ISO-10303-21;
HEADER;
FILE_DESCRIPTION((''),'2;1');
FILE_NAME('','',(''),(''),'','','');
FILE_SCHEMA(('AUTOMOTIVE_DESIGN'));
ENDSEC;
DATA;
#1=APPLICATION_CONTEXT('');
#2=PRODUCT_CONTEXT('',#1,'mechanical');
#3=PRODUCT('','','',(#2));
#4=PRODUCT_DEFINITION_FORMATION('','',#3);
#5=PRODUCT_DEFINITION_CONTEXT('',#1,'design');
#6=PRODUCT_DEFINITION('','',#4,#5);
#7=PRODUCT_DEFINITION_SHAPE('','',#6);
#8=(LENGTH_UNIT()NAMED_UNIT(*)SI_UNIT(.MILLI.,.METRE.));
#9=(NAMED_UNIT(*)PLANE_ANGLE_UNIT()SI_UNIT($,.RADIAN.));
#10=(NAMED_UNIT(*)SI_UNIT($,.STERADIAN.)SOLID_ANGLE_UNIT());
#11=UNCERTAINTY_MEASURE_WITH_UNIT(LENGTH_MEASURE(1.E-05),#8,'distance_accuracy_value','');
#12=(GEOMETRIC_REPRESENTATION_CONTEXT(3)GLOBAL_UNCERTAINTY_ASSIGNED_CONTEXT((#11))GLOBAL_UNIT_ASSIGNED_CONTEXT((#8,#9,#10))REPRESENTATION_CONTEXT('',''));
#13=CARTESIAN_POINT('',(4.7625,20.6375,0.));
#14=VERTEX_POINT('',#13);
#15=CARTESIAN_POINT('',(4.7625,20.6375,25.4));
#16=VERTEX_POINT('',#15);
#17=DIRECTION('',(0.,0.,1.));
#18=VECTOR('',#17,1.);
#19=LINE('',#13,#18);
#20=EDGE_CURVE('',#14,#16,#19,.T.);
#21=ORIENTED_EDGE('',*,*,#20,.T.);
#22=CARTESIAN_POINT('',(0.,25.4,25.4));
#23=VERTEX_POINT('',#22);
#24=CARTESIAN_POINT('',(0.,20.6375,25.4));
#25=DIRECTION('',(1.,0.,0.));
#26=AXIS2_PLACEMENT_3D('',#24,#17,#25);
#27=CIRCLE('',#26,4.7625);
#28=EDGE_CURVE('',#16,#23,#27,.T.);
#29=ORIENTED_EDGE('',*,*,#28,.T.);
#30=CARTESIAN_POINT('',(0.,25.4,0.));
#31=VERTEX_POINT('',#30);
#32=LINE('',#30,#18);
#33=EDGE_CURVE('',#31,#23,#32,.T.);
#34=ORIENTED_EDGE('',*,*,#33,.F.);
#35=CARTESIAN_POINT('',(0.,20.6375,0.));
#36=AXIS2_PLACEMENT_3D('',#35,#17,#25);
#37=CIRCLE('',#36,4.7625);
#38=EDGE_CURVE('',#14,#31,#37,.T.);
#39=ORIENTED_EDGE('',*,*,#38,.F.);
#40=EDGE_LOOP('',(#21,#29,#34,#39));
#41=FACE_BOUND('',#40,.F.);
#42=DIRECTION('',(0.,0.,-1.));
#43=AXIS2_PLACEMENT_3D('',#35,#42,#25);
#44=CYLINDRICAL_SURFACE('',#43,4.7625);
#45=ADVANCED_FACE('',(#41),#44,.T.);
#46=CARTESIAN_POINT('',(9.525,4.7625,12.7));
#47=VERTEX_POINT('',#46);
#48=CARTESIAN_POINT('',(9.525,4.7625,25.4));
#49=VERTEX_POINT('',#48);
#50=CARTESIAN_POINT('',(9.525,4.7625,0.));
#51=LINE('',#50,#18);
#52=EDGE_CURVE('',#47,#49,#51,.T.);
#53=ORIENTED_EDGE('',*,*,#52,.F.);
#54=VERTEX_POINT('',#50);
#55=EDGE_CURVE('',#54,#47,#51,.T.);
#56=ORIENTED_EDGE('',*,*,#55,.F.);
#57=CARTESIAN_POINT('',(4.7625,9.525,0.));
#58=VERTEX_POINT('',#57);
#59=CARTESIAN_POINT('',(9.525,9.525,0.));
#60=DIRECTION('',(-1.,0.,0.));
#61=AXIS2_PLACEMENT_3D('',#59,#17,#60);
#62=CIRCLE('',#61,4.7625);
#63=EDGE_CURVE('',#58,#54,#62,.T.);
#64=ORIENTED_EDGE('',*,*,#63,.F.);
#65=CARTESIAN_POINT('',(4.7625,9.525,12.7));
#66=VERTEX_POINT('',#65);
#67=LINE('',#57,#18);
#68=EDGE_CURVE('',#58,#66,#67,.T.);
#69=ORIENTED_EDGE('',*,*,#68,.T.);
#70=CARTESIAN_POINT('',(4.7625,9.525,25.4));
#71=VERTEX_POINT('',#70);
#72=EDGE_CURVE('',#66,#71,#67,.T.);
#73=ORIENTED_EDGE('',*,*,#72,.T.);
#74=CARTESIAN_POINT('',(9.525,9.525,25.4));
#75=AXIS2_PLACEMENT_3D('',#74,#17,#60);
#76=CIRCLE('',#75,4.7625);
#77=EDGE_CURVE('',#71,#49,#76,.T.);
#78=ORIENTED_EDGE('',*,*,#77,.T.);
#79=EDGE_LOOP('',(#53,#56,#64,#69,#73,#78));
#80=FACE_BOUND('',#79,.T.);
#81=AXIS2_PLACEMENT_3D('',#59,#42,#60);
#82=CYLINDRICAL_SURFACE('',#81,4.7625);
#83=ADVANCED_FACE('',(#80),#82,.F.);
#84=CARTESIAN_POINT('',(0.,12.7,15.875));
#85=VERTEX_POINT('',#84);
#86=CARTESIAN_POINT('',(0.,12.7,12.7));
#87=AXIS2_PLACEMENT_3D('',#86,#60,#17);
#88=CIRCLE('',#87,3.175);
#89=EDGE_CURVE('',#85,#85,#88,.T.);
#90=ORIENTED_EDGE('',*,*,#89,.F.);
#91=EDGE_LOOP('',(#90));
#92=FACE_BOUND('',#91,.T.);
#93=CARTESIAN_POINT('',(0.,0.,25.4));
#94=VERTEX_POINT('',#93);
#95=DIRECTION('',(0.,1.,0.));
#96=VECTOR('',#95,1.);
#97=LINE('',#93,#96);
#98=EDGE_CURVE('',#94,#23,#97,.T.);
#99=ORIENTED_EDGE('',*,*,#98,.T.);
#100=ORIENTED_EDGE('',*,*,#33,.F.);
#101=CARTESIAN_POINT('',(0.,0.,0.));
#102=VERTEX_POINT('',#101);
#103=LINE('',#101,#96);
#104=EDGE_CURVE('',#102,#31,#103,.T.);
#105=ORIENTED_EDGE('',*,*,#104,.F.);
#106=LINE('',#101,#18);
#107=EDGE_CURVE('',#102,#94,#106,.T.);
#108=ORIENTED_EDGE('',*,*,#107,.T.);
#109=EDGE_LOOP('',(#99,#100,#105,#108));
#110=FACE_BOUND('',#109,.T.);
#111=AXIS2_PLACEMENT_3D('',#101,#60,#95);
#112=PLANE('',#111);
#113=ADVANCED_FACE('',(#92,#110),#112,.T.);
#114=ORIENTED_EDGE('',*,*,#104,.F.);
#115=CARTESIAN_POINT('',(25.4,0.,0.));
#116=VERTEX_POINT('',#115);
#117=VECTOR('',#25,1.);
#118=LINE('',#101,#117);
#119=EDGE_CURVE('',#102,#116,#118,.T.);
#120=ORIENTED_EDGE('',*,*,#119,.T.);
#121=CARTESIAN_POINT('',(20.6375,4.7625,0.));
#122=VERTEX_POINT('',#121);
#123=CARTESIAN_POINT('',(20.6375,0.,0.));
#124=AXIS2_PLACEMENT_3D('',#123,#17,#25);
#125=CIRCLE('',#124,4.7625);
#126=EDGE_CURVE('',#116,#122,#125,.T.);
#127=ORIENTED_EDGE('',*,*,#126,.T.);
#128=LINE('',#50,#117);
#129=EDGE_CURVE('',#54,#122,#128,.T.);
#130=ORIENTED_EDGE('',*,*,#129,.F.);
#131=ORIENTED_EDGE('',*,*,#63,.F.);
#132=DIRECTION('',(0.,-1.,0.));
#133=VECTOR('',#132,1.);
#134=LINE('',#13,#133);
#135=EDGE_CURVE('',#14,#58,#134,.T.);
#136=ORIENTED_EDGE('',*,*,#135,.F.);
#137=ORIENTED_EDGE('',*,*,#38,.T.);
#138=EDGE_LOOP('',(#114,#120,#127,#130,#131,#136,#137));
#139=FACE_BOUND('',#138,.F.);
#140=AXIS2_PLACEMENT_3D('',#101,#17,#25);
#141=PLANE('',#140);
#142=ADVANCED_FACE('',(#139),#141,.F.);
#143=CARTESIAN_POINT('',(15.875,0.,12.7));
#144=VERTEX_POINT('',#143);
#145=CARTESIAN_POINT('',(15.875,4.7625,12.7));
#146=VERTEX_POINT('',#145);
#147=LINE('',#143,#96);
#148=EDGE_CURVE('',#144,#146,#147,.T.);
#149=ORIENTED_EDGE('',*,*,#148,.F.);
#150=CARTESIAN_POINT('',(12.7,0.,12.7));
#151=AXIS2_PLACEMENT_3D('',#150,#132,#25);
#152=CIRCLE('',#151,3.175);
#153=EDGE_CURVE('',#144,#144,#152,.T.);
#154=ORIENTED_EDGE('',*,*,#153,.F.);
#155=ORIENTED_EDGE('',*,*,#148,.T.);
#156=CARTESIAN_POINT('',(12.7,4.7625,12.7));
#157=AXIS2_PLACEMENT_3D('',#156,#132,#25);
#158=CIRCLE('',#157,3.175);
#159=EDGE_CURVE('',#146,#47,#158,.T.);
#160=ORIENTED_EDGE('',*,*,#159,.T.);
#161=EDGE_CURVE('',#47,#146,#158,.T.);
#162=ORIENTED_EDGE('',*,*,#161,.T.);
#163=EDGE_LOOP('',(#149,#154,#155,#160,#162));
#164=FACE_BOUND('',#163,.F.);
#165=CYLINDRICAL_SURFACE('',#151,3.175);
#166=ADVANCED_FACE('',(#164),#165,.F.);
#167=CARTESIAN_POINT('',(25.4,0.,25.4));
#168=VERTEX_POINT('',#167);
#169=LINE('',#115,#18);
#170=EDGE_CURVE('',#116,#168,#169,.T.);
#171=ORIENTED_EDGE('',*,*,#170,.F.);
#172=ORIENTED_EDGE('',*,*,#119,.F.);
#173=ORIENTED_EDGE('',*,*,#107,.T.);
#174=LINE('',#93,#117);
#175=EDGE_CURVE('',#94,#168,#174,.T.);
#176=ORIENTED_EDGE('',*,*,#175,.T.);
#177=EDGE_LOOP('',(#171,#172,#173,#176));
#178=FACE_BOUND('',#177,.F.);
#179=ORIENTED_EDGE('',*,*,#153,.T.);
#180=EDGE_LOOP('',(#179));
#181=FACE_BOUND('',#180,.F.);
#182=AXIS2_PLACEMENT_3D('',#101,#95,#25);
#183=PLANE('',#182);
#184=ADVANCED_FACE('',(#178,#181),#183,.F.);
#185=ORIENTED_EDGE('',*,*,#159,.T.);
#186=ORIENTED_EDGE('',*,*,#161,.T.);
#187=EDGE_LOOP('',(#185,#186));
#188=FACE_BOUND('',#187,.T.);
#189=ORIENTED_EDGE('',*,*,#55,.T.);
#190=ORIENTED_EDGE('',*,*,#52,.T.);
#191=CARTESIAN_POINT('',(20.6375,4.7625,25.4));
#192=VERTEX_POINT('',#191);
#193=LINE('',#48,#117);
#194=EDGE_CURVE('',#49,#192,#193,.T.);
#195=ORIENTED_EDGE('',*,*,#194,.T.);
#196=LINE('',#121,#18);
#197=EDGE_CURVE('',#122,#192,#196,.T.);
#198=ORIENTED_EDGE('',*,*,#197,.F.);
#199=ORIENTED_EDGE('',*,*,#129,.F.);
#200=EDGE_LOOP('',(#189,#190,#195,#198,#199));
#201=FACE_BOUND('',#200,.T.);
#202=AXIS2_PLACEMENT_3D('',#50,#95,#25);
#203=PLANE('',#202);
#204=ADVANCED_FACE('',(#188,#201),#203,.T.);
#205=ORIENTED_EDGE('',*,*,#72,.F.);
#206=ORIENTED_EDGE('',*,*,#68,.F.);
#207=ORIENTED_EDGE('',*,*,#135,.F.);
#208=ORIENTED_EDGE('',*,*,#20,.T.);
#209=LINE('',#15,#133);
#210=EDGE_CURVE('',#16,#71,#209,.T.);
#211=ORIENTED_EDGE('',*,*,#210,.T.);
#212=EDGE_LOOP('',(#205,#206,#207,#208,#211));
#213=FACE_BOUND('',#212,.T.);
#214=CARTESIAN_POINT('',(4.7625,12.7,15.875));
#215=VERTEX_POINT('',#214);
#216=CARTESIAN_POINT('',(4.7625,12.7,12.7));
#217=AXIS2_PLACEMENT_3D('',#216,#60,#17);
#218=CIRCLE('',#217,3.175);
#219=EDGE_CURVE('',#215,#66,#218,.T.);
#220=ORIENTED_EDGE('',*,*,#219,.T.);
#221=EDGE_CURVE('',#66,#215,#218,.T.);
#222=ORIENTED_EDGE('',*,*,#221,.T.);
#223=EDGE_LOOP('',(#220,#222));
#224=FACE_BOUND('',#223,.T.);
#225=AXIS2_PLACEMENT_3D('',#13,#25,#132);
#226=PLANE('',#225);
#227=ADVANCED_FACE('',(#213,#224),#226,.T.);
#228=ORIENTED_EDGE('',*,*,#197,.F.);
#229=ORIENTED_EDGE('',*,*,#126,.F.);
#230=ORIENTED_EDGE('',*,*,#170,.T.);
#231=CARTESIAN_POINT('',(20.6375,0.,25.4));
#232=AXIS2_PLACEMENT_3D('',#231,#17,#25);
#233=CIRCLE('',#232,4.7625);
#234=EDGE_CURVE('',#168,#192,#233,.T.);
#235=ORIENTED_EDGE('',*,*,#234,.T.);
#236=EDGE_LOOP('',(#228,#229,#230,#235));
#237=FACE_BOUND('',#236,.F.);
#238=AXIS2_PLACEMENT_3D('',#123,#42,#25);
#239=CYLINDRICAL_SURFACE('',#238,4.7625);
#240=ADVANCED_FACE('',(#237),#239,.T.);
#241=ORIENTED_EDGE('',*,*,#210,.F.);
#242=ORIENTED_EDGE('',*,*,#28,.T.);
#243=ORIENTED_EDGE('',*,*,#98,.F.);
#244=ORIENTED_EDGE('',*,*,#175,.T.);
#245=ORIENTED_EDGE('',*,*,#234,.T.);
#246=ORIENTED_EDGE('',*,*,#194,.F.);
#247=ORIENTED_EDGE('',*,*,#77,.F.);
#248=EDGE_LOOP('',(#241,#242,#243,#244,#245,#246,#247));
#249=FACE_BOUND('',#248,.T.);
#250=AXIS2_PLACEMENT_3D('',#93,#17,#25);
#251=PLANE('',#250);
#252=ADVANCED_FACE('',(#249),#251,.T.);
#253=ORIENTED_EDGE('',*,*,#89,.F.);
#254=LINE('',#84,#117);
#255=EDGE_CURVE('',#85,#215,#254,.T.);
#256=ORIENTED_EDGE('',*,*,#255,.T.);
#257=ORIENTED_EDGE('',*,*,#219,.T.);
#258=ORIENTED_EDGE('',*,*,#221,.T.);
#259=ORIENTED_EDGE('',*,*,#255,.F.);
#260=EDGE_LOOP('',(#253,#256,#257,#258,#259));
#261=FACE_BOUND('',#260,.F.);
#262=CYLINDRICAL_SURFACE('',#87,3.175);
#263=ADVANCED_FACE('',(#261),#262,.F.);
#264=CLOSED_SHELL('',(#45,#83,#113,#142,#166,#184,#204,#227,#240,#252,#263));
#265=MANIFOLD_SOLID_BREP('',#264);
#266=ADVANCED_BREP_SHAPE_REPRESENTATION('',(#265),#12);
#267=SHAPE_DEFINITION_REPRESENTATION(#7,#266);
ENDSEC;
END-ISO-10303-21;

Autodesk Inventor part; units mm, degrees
ref_plane "YZ Plane" through (0, 0, 0) normal (1, 0, 0) x (0, 1, 0)
ref_plane "XZ Plane" through (0, 0, 0) normal (0, 1, 0) x (-1, 0, 0)
ref_plane "XY Plane" through (0, 0, 0) normal (0, 0, 1) x (1, 0, 0)
sketch "Sketch1" plane through (0, 0, 0) normal (0, 0, 1) x (1, 0, 0)
  line L0 (0, 0) -> (0, 25.4)
  line L1 (0, 0) -> (25.4, 0)
  line L2 (4.7625, 20.6375) -> (4.7625, 9.525)
  line L3 (9.525, 4.7625) -> (20.6375, 4.7625)
  arc A0 (4.7625, 20.6375) -> (0, 25.4) centre (0, 20.6375) ccw
  arc A1 (25.4, 0) -> (20.6375, 4.7625) centre (20.6375, 0) ccw
  arc A2 (4.7625, 9.525) -> (9.525, 4.7625) centre (9.525, 9.525) ccw
  dimension "d0" = 25.4
  dimension "d1" = 25.4
  dimension "d2" = 4.7625
  dimension "d3" = 4.7625
extrude "Extrusion1" add sketch "Sketch1" along normal blind 25.4
sketch "Sketch2" plane through (0, 0, 0) normal (0, -1, 0) x (1, 0, 0)
  line L0 (25.4, 25.4) -> (0, 25.4) projected
  line L1 (25.4, 0) -> (25.4, 25.4) projected
  circle A0 centre (12.7, 12.7) radius 3.175
  dimension "d6" = 6.35
  dimension "d7" = 12.7
  dimension "d8" = 12.7
extrude "Extrusion2" cut sketch "Sketch2" against normal blind 25.4
sketch "Sketch3" plane through (0, 0, 0) normal (-1, 0, 0) x (0, 0, 1)
  circle A0 centre (12.7, 12.7) radius 3.175
  dimension "d11" = 6.35
extrude "Extrusion3" cut sketch "Sketch3" against normal blind 25.4
equation "\"d3\" = d2"
properties part number "small L bracket"
